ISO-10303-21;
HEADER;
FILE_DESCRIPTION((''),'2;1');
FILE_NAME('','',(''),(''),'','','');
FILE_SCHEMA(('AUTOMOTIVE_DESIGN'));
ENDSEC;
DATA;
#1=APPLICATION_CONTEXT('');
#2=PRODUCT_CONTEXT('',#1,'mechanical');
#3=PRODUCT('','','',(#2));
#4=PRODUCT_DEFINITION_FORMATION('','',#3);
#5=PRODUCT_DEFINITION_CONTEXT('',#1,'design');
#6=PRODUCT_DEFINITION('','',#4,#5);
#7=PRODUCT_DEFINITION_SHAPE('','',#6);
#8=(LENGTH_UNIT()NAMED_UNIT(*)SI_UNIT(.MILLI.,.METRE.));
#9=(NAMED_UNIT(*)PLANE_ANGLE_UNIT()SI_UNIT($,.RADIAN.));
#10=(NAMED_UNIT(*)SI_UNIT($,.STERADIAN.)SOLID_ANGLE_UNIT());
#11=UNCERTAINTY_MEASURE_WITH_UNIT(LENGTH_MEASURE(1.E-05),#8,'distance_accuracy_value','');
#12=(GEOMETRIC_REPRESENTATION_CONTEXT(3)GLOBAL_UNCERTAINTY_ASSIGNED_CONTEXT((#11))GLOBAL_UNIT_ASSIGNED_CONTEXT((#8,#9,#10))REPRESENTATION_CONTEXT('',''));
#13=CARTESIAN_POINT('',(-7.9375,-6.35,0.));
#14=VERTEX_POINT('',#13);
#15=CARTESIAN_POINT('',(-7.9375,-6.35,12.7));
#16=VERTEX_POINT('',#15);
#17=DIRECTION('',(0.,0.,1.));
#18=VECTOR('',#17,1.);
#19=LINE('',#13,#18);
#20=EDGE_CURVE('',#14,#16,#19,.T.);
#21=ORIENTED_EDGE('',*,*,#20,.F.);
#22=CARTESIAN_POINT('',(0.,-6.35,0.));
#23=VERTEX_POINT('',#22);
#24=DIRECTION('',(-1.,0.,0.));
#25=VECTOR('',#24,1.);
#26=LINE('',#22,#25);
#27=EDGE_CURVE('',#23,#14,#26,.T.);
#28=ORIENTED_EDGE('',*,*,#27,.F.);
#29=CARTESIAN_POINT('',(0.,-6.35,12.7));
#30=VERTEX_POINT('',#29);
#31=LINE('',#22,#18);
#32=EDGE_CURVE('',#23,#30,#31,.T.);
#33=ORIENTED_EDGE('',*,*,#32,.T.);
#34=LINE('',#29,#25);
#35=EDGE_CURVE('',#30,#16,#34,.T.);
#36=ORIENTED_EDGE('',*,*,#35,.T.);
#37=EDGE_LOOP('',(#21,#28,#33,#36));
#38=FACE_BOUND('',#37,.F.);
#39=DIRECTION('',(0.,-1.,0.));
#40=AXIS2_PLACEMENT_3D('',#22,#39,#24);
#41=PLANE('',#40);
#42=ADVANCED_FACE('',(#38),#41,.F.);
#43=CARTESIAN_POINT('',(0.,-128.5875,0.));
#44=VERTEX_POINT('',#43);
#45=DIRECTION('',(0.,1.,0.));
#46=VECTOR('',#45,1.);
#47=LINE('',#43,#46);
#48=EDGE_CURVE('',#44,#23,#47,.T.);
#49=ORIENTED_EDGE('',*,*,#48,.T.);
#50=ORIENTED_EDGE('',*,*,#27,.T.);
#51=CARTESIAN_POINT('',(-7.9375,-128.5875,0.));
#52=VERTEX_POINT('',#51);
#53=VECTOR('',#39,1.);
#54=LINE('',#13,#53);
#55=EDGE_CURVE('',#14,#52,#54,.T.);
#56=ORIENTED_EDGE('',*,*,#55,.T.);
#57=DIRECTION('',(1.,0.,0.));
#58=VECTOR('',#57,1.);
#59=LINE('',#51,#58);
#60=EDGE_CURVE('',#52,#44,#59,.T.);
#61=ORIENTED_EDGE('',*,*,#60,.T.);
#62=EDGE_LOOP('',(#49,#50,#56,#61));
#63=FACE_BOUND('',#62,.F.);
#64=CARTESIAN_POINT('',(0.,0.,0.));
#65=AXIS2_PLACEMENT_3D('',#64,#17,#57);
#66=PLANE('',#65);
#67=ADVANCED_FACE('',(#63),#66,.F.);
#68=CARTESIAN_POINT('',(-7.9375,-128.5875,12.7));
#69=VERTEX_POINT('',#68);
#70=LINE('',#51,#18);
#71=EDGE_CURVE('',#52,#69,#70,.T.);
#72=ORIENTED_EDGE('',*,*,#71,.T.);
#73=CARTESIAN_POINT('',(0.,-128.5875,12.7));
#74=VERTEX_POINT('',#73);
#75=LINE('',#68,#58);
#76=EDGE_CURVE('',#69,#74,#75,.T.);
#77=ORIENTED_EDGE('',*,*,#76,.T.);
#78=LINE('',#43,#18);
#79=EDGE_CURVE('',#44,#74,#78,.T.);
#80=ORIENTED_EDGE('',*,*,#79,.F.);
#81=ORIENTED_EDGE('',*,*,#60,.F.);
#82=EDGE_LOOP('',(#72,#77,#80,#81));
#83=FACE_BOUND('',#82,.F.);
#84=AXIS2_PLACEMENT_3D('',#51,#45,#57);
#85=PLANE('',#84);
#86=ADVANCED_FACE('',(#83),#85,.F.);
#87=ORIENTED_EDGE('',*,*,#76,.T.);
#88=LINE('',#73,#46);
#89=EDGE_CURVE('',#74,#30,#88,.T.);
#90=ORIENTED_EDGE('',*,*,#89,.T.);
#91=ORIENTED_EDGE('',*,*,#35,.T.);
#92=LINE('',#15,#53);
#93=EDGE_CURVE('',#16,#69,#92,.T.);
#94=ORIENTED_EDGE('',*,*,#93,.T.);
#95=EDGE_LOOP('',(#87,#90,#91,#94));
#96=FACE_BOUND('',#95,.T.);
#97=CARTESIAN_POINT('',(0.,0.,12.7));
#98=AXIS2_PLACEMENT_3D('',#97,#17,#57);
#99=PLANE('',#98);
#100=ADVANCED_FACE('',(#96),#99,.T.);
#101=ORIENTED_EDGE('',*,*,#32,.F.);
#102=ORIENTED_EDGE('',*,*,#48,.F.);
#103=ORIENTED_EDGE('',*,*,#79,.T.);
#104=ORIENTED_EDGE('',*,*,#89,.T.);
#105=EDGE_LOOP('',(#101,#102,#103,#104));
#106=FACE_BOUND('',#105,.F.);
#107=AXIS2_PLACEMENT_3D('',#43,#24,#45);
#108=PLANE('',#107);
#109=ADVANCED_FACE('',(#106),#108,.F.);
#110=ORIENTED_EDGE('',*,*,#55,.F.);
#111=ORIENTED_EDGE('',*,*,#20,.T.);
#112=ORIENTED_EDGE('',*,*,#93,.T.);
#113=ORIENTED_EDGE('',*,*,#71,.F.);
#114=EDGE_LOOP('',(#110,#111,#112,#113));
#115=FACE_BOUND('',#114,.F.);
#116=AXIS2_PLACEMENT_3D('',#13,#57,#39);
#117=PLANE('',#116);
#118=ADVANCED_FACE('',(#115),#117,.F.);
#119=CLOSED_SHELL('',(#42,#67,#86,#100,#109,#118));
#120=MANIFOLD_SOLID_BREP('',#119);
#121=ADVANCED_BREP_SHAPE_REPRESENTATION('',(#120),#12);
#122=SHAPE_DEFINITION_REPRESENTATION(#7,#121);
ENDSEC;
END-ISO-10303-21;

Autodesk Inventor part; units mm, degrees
ref_plane "YZ Plane" through (0, 0, 0) normal (1, 0, 0) x (0, 1, 0)
ref_plane "XZ Plane" through (0, 0, 0) normal (0, 1, 0) x (-1, 0, 0)
ref_plane "XY Plane" through (0, 0, 0) normal (0, 0, 1) x (1, 0, 0)
sketch "Sketch1" plane through (0, 0, 0) normal (0, 0, 1) x (1, 0, 0)
  line L0 (0, -6.35) -> (-7.9375, -6.35)
  line L1 (-7.9375, -6.35) -> (-7.9375, -128.5875)
  line L2 (-7.9375, -128.5875) -> (0, -128.5875)
  line L3 (0, -128.5875) -> (0, -6.35)
  point P0 (0, 0)
extrude "Extrusion1" add sketch "Sketch1" along normal blind 12.7
properties part number "UV"
